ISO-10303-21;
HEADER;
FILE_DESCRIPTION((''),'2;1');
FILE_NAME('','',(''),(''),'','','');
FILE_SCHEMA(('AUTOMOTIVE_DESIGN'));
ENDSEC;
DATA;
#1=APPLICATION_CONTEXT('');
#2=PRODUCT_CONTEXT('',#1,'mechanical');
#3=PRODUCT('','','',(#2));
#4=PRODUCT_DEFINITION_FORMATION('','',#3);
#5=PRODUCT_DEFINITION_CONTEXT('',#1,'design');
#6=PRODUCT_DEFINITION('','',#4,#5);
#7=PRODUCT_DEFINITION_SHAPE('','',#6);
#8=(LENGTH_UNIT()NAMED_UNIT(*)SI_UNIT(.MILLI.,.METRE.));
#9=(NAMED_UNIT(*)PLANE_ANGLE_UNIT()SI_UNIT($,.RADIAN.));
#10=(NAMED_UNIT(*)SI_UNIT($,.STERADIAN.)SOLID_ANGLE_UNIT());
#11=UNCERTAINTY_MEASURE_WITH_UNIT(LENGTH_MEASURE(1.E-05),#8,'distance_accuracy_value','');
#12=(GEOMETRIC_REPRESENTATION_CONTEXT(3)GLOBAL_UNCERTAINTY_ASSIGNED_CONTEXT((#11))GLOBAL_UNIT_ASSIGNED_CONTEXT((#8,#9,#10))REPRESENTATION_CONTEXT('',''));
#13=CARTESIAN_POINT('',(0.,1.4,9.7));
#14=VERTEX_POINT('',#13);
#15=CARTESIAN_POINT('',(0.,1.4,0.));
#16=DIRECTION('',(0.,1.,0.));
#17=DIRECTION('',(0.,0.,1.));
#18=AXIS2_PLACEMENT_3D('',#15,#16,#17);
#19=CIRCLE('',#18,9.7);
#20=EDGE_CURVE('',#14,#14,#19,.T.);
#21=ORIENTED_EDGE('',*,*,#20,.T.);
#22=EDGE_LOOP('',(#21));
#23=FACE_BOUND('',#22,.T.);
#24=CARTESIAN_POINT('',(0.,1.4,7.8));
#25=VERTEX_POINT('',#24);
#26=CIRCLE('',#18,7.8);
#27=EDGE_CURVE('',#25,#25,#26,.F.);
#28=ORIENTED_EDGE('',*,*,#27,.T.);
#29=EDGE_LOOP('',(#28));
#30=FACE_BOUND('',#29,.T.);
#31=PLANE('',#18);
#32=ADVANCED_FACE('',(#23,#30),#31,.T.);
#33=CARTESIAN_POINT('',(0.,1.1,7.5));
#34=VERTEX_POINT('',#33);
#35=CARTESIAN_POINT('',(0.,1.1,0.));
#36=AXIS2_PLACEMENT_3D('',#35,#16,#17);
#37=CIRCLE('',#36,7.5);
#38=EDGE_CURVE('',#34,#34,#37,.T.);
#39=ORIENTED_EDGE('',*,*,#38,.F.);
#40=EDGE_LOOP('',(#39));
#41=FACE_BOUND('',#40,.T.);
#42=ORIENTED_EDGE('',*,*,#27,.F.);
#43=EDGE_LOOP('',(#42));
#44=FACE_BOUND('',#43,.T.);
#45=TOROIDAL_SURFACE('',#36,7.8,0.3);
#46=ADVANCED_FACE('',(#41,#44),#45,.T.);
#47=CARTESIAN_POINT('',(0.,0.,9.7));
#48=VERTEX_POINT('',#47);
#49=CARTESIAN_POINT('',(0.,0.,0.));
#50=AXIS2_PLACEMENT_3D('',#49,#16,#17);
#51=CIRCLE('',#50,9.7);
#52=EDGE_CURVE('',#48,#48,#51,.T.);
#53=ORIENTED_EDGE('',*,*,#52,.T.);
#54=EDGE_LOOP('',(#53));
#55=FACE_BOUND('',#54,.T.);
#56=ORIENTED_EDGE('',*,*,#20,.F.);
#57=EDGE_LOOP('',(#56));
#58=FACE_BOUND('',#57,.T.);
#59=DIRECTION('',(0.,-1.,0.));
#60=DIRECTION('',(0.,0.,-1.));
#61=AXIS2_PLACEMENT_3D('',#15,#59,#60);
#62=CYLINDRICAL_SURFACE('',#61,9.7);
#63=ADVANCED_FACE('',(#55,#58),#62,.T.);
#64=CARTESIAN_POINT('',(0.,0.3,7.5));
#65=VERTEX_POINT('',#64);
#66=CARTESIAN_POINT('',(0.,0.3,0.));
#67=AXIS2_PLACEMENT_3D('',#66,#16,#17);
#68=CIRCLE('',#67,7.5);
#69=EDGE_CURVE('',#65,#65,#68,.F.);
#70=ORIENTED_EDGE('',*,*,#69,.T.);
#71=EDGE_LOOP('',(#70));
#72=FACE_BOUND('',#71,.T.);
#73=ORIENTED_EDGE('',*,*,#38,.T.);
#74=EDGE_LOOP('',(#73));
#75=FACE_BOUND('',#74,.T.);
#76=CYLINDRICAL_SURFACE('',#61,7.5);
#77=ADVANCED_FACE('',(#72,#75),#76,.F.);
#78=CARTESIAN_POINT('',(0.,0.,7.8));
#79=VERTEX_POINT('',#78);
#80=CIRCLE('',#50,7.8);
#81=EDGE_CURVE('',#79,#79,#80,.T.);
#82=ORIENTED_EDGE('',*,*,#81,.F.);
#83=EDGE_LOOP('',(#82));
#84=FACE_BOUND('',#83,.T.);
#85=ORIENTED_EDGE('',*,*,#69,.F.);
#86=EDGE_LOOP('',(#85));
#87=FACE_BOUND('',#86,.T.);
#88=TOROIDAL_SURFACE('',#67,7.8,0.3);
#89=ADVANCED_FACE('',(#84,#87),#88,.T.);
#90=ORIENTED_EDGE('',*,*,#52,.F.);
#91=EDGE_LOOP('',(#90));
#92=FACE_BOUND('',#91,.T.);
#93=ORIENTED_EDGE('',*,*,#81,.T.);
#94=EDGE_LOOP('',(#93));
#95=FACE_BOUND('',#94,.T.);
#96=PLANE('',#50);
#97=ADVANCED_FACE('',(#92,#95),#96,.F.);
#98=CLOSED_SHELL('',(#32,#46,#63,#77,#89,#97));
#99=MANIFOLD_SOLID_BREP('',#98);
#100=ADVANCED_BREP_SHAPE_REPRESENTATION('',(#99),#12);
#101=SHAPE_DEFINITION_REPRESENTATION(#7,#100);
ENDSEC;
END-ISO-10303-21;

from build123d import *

# Parameters (mm, degrees)
SKETCH1_R           = 9.7
SKETCH1_R_2         = 7.5
BOSS_EXTRUDE1_DEPTH = 1.4
FILLET1_R           = 0.3


with BuildPart() as part:
    # Sketch1 → Boss-Extrude1 (new body)
    with BuildSketch(Plane(origin=(0, 0, 0), x_dir=(1, 0, 0), z_dir=(0, 1, 0))):
        with Locations(Location((0, 0, 0), (0, 0, 270))):
            Circle(SKETCH1_R)
        with Locations(Location((0, 0, 0), (0, 0, 270))):
            Circle(SKETCH1_R_2, mode=Mode.SUBTRACT)
    extrude(amount=BOSS_EXTRUDE1_DEPTH)

    # Fillet1
    fillet1_edges = [part.edges().sort_by_distance(p)[0] for p in [
        (0, 0, -7.5),
        (0, 1.4, -7.5),
    ]]
    fillet(fillet1_edges, radius=FILLET1_R)


solid = part.part
